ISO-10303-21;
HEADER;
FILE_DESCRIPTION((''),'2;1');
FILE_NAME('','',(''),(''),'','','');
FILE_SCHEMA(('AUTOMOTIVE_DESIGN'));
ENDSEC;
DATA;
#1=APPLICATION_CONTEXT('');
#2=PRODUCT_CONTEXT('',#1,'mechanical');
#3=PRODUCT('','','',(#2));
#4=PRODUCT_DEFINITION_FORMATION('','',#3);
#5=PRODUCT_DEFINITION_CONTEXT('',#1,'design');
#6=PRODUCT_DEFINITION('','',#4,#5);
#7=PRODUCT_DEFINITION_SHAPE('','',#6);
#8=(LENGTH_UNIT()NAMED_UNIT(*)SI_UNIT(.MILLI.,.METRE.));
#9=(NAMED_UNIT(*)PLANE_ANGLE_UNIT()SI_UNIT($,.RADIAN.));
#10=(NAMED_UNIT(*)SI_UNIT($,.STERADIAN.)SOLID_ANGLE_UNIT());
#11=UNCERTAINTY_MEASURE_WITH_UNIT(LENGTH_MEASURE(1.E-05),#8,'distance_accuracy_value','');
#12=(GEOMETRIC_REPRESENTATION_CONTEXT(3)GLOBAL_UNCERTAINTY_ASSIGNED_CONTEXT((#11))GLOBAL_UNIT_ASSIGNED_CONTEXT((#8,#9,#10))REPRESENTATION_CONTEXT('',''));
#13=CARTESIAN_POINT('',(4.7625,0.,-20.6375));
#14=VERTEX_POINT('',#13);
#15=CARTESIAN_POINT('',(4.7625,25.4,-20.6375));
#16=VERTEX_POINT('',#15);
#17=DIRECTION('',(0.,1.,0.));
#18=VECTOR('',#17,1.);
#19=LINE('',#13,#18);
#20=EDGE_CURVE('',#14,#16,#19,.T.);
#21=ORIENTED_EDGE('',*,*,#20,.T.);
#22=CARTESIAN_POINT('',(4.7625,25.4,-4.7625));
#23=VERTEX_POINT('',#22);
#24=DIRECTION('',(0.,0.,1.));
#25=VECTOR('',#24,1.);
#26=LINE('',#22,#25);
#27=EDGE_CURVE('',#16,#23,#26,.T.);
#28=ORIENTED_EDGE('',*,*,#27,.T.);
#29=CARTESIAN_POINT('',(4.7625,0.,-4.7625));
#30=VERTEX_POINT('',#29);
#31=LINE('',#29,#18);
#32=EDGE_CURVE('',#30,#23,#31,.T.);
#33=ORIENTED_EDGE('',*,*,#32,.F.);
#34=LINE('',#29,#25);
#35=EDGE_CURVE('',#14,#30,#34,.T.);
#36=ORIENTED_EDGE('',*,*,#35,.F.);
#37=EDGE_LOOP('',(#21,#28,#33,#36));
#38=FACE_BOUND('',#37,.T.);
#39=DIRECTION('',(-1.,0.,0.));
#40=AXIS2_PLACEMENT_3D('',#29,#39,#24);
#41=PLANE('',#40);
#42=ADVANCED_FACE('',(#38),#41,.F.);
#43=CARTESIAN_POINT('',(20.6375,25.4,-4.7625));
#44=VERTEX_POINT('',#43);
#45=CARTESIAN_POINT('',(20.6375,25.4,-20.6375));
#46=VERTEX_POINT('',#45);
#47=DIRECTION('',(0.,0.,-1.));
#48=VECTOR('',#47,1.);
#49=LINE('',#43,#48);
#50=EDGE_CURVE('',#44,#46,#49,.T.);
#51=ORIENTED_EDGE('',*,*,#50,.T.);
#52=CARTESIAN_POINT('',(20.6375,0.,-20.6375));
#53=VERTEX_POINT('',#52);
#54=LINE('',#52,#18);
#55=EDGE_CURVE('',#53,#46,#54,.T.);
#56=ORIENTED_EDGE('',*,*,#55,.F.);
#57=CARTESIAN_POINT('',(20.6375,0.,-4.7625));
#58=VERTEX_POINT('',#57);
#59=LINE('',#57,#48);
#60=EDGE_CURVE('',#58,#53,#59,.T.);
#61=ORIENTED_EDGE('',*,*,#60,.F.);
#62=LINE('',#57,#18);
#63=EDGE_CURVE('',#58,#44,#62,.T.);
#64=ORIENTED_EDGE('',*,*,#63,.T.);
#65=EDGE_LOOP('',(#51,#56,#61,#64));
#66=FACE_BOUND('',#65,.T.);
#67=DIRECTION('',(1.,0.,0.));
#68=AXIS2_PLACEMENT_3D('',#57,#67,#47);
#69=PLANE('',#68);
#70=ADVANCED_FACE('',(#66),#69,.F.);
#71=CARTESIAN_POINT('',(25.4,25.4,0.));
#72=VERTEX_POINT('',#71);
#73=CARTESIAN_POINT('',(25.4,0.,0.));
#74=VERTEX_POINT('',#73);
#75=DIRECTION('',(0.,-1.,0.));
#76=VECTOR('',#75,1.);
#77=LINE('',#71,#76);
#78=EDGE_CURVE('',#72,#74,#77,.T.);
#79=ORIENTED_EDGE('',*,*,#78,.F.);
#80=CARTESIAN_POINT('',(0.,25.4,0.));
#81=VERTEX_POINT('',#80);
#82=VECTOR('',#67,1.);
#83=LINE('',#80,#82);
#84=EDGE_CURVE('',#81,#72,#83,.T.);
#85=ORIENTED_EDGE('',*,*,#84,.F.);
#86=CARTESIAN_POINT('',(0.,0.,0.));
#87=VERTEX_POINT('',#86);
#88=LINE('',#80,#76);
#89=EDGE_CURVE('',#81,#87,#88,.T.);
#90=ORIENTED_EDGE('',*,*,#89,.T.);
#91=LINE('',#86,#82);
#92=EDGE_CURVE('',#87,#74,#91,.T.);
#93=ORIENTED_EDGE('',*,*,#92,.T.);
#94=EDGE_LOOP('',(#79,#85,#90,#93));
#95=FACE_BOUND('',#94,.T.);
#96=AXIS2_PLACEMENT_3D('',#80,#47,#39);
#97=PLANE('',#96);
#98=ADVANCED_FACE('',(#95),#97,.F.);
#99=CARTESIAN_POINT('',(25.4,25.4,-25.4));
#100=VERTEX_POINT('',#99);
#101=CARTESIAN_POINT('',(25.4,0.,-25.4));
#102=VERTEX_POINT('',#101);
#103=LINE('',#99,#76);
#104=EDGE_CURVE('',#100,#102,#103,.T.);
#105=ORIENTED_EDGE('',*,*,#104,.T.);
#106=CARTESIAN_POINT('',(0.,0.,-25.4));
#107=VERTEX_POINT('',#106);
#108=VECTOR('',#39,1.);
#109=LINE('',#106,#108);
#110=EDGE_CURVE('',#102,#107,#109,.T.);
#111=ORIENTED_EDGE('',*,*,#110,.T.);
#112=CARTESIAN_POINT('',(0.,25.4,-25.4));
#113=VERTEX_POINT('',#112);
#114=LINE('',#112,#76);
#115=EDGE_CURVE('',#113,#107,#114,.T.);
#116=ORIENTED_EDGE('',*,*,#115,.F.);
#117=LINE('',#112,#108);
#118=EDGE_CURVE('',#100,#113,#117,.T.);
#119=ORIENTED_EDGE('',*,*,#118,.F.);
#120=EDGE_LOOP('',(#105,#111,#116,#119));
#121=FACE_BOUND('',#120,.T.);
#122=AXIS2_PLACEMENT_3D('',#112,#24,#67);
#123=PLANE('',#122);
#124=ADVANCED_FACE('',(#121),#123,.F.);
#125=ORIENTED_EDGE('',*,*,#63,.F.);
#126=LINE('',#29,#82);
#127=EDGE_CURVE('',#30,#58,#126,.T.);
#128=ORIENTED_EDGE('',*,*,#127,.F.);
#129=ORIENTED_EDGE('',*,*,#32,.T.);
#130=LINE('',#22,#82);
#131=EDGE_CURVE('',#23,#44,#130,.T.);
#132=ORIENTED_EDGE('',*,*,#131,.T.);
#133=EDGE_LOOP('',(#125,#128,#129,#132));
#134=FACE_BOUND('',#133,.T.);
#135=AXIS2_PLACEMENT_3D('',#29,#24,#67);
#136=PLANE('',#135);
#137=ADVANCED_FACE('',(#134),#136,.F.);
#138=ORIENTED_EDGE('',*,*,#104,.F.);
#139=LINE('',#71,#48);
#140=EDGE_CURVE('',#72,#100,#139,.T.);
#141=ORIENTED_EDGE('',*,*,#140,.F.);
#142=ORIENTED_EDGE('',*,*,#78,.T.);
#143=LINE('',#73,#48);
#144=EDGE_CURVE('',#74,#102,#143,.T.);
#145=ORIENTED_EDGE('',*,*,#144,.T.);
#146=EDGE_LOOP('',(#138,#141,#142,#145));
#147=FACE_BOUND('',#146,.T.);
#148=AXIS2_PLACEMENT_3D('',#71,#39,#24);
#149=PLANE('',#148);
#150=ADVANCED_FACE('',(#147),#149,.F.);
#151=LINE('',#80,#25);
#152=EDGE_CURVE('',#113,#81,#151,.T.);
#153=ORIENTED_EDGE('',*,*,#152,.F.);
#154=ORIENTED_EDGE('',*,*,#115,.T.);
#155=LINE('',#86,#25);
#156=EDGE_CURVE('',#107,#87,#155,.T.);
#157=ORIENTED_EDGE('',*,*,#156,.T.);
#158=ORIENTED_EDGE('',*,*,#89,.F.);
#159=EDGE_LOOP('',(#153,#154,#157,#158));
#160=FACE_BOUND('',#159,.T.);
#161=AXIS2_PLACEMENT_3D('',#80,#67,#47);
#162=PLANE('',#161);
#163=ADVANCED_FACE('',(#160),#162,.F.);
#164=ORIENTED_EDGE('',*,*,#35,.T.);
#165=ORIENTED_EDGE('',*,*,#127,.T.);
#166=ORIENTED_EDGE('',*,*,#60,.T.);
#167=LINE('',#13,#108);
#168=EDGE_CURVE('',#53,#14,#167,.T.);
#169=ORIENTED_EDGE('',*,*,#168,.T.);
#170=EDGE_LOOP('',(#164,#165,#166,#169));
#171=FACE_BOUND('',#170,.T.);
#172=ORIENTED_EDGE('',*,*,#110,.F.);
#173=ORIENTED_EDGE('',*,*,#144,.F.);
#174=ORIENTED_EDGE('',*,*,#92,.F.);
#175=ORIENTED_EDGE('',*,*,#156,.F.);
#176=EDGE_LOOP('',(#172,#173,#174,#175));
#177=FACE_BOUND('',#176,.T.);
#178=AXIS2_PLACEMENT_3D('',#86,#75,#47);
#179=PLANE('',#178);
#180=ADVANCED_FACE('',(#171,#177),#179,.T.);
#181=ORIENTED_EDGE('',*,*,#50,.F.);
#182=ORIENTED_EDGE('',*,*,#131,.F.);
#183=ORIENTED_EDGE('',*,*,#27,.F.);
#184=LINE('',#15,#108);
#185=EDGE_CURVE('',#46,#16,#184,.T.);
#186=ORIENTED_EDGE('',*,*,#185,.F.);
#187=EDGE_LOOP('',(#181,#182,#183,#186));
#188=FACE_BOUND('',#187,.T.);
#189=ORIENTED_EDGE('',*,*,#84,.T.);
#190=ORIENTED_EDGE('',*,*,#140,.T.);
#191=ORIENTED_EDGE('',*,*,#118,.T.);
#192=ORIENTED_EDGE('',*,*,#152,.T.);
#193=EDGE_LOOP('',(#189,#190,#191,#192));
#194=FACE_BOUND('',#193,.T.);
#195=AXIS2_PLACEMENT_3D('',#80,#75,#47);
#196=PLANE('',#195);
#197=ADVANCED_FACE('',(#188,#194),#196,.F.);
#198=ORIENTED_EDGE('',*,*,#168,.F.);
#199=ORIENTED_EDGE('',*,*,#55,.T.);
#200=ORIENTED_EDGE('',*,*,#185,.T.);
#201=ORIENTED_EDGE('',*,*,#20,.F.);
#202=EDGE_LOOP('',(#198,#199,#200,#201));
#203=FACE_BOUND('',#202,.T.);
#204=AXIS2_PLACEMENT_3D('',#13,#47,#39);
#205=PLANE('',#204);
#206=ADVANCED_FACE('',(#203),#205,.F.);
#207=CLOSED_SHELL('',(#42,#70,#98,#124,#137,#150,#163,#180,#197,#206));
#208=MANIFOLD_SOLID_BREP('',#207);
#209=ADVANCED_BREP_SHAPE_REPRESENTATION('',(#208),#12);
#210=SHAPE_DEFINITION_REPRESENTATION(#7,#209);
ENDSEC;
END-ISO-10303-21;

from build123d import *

# Parameters (mm, degrees)
SKETCH1_W           = 25.4
SKETCH1_H           = 25.4
BOSS_EXTRUDE1_DEPTH = 25.4
SKETCH2_W           = 15.875
SKETCH2_H           = 15.875
CUT_EXTRUDE1_DEPTH  = 26.4


with BuildPart() as part:
    # Sketch1 → Boss-Extrude1 (new body)
    with BuildSketch(Plane(origin=(0, 0, 0), x_dir=(1, 0, 0), z_dir=(0, 1, 0))):
        with Locations((12.7, 12.7)):
            Rectangle(SKETCH1_W, SKETCH1_H)
    extrude(amount=BOSS_EXTRUDE1_DEPTH)

    # Sketch2 → Cut-Extrude1 (cut, through all)
    with BuildSketch(Plane(origin=(0, 25.4, 0), x_dir=(1, 0, 0), z_dir=(0, 1, 0))):
        with Locations((12.7, 12.7)):
            Rectangle(SKETCH2_W, SKETCH2_H)
    extrude(amount=-CUT_EXTRUDE1_DEPTH, mode=Mode.SUBTRACT)


solid = part.part
